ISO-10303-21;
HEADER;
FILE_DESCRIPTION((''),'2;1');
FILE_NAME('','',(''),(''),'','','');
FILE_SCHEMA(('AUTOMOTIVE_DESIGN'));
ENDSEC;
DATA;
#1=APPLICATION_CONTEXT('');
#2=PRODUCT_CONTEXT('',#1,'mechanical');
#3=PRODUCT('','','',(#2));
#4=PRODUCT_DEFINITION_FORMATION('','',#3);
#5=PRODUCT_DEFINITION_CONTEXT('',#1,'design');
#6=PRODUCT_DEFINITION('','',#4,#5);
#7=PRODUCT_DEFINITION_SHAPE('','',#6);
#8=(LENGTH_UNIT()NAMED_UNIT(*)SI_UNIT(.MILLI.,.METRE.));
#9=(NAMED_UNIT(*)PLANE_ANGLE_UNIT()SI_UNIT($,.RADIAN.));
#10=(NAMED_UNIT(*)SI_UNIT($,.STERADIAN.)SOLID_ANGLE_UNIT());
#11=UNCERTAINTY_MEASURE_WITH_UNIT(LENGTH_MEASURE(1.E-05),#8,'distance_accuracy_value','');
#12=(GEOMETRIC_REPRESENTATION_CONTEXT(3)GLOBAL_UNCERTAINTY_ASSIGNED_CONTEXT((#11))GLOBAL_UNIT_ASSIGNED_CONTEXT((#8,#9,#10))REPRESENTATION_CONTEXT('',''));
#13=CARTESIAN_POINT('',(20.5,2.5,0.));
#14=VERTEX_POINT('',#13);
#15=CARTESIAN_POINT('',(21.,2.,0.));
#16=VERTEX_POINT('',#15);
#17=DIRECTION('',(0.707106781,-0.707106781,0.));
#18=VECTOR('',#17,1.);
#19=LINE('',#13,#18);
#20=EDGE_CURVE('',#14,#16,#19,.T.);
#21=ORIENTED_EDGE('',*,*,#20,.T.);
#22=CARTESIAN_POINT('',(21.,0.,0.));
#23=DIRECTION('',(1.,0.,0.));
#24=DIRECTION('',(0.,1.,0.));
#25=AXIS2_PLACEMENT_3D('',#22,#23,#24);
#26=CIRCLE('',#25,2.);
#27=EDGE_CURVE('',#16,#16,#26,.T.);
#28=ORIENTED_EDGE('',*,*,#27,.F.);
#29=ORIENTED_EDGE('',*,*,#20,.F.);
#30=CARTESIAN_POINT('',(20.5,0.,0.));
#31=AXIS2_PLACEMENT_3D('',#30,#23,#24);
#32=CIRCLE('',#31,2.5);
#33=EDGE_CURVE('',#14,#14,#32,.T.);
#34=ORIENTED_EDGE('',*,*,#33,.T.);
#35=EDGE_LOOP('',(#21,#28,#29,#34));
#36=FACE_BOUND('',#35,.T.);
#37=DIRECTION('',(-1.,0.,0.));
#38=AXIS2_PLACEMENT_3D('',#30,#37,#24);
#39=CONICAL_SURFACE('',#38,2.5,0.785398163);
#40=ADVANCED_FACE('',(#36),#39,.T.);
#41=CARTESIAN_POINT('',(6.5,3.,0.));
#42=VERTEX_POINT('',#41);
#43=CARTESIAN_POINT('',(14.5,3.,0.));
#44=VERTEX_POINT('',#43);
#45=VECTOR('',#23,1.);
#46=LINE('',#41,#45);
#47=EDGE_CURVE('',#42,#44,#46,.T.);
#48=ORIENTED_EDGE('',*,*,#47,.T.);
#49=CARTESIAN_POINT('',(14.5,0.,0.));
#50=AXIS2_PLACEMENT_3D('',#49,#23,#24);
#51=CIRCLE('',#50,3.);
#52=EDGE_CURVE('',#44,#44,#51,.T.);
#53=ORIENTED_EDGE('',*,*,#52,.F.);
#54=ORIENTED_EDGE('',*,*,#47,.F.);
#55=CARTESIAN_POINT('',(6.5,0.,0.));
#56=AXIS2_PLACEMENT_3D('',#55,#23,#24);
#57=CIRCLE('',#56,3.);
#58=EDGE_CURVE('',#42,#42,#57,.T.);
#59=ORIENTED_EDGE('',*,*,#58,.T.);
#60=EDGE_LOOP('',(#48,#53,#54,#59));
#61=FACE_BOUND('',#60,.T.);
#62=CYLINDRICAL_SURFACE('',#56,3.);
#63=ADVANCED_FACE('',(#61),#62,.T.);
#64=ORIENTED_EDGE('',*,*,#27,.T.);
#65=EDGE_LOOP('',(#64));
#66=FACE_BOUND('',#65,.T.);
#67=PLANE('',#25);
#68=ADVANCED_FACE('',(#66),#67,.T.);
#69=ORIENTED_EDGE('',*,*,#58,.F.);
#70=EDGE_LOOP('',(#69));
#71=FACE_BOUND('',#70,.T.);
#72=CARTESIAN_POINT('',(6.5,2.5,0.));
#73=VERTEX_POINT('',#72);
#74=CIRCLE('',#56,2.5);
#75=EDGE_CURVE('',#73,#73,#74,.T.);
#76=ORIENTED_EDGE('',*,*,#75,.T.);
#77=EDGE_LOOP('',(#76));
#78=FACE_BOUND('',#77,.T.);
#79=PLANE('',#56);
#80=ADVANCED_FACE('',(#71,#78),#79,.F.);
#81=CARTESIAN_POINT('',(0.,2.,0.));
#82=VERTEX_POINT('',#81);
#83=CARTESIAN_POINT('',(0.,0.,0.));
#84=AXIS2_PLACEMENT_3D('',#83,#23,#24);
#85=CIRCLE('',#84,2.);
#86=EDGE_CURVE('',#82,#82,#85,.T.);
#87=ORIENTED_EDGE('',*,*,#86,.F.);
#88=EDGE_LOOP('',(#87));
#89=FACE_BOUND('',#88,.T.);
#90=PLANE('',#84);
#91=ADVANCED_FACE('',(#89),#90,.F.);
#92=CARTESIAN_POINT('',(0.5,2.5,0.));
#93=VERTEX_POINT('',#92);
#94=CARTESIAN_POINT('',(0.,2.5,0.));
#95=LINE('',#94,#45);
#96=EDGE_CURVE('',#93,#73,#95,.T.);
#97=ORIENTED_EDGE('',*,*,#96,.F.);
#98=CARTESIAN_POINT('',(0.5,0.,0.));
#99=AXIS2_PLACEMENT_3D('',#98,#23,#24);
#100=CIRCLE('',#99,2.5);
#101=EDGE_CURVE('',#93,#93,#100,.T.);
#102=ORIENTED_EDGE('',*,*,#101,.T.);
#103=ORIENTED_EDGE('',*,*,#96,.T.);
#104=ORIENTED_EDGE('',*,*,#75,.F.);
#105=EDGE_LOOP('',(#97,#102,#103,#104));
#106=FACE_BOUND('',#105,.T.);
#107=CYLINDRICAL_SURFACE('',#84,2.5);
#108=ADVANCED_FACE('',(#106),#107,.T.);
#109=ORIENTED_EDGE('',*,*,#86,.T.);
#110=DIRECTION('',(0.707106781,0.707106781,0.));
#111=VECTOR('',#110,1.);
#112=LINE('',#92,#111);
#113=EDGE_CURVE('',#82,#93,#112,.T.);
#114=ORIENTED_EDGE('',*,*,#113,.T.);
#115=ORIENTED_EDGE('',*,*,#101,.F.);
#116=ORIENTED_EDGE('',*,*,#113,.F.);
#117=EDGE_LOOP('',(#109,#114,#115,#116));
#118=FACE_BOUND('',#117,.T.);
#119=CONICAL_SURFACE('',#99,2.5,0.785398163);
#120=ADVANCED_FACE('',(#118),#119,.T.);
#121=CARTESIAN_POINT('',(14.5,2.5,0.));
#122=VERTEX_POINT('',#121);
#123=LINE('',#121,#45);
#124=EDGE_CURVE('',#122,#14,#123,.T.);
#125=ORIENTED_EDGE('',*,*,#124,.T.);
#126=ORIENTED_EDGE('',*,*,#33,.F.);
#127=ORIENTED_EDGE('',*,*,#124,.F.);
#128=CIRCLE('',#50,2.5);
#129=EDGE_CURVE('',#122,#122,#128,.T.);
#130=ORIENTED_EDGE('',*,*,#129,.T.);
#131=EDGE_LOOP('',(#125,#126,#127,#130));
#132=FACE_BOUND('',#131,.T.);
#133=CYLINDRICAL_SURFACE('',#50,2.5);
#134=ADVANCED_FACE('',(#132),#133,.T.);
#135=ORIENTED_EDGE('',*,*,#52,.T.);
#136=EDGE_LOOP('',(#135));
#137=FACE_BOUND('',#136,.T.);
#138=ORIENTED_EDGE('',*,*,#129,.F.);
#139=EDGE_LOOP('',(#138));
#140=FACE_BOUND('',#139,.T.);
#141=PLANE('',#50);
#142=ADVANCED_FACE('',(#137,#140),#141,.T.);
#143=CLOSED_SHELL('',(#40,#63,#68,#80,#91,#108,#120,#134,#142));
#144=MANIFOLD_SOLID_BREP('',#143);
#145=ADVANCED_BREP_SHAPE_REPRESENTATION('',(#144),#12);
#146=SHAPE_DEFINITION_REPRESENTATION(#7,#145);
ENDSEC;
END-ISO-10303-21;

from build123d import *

# Parameters (mm, degrees)
CHANFREIN1_SIZE = 0.5


with BuildPart() as part:
    # Esquisse1 → Révolution1 (revolve)
    with BuildSketch(Plane.XY):
        Polygon((0, 0), (0, 2.5), (6.5, 2.5), (6.5, 3), (14.5, 3), (14.5, 2.5), (21, 2.5), (21, 0), align=None)
    revolve(axis=Axis((-54.824636662, 0, 0), (1, 0, 0)))

    # Chanfrein1
    chanfrein1_edges = [part.edges().sort_by_distance(p)[0] for p in [
        (21, -2.5, 0),
        (0, -2.5, 0),
    ]]
    chamfer(chanfrein1_edges, length=CHANFREIN1_SIZE)


solid = part.part
